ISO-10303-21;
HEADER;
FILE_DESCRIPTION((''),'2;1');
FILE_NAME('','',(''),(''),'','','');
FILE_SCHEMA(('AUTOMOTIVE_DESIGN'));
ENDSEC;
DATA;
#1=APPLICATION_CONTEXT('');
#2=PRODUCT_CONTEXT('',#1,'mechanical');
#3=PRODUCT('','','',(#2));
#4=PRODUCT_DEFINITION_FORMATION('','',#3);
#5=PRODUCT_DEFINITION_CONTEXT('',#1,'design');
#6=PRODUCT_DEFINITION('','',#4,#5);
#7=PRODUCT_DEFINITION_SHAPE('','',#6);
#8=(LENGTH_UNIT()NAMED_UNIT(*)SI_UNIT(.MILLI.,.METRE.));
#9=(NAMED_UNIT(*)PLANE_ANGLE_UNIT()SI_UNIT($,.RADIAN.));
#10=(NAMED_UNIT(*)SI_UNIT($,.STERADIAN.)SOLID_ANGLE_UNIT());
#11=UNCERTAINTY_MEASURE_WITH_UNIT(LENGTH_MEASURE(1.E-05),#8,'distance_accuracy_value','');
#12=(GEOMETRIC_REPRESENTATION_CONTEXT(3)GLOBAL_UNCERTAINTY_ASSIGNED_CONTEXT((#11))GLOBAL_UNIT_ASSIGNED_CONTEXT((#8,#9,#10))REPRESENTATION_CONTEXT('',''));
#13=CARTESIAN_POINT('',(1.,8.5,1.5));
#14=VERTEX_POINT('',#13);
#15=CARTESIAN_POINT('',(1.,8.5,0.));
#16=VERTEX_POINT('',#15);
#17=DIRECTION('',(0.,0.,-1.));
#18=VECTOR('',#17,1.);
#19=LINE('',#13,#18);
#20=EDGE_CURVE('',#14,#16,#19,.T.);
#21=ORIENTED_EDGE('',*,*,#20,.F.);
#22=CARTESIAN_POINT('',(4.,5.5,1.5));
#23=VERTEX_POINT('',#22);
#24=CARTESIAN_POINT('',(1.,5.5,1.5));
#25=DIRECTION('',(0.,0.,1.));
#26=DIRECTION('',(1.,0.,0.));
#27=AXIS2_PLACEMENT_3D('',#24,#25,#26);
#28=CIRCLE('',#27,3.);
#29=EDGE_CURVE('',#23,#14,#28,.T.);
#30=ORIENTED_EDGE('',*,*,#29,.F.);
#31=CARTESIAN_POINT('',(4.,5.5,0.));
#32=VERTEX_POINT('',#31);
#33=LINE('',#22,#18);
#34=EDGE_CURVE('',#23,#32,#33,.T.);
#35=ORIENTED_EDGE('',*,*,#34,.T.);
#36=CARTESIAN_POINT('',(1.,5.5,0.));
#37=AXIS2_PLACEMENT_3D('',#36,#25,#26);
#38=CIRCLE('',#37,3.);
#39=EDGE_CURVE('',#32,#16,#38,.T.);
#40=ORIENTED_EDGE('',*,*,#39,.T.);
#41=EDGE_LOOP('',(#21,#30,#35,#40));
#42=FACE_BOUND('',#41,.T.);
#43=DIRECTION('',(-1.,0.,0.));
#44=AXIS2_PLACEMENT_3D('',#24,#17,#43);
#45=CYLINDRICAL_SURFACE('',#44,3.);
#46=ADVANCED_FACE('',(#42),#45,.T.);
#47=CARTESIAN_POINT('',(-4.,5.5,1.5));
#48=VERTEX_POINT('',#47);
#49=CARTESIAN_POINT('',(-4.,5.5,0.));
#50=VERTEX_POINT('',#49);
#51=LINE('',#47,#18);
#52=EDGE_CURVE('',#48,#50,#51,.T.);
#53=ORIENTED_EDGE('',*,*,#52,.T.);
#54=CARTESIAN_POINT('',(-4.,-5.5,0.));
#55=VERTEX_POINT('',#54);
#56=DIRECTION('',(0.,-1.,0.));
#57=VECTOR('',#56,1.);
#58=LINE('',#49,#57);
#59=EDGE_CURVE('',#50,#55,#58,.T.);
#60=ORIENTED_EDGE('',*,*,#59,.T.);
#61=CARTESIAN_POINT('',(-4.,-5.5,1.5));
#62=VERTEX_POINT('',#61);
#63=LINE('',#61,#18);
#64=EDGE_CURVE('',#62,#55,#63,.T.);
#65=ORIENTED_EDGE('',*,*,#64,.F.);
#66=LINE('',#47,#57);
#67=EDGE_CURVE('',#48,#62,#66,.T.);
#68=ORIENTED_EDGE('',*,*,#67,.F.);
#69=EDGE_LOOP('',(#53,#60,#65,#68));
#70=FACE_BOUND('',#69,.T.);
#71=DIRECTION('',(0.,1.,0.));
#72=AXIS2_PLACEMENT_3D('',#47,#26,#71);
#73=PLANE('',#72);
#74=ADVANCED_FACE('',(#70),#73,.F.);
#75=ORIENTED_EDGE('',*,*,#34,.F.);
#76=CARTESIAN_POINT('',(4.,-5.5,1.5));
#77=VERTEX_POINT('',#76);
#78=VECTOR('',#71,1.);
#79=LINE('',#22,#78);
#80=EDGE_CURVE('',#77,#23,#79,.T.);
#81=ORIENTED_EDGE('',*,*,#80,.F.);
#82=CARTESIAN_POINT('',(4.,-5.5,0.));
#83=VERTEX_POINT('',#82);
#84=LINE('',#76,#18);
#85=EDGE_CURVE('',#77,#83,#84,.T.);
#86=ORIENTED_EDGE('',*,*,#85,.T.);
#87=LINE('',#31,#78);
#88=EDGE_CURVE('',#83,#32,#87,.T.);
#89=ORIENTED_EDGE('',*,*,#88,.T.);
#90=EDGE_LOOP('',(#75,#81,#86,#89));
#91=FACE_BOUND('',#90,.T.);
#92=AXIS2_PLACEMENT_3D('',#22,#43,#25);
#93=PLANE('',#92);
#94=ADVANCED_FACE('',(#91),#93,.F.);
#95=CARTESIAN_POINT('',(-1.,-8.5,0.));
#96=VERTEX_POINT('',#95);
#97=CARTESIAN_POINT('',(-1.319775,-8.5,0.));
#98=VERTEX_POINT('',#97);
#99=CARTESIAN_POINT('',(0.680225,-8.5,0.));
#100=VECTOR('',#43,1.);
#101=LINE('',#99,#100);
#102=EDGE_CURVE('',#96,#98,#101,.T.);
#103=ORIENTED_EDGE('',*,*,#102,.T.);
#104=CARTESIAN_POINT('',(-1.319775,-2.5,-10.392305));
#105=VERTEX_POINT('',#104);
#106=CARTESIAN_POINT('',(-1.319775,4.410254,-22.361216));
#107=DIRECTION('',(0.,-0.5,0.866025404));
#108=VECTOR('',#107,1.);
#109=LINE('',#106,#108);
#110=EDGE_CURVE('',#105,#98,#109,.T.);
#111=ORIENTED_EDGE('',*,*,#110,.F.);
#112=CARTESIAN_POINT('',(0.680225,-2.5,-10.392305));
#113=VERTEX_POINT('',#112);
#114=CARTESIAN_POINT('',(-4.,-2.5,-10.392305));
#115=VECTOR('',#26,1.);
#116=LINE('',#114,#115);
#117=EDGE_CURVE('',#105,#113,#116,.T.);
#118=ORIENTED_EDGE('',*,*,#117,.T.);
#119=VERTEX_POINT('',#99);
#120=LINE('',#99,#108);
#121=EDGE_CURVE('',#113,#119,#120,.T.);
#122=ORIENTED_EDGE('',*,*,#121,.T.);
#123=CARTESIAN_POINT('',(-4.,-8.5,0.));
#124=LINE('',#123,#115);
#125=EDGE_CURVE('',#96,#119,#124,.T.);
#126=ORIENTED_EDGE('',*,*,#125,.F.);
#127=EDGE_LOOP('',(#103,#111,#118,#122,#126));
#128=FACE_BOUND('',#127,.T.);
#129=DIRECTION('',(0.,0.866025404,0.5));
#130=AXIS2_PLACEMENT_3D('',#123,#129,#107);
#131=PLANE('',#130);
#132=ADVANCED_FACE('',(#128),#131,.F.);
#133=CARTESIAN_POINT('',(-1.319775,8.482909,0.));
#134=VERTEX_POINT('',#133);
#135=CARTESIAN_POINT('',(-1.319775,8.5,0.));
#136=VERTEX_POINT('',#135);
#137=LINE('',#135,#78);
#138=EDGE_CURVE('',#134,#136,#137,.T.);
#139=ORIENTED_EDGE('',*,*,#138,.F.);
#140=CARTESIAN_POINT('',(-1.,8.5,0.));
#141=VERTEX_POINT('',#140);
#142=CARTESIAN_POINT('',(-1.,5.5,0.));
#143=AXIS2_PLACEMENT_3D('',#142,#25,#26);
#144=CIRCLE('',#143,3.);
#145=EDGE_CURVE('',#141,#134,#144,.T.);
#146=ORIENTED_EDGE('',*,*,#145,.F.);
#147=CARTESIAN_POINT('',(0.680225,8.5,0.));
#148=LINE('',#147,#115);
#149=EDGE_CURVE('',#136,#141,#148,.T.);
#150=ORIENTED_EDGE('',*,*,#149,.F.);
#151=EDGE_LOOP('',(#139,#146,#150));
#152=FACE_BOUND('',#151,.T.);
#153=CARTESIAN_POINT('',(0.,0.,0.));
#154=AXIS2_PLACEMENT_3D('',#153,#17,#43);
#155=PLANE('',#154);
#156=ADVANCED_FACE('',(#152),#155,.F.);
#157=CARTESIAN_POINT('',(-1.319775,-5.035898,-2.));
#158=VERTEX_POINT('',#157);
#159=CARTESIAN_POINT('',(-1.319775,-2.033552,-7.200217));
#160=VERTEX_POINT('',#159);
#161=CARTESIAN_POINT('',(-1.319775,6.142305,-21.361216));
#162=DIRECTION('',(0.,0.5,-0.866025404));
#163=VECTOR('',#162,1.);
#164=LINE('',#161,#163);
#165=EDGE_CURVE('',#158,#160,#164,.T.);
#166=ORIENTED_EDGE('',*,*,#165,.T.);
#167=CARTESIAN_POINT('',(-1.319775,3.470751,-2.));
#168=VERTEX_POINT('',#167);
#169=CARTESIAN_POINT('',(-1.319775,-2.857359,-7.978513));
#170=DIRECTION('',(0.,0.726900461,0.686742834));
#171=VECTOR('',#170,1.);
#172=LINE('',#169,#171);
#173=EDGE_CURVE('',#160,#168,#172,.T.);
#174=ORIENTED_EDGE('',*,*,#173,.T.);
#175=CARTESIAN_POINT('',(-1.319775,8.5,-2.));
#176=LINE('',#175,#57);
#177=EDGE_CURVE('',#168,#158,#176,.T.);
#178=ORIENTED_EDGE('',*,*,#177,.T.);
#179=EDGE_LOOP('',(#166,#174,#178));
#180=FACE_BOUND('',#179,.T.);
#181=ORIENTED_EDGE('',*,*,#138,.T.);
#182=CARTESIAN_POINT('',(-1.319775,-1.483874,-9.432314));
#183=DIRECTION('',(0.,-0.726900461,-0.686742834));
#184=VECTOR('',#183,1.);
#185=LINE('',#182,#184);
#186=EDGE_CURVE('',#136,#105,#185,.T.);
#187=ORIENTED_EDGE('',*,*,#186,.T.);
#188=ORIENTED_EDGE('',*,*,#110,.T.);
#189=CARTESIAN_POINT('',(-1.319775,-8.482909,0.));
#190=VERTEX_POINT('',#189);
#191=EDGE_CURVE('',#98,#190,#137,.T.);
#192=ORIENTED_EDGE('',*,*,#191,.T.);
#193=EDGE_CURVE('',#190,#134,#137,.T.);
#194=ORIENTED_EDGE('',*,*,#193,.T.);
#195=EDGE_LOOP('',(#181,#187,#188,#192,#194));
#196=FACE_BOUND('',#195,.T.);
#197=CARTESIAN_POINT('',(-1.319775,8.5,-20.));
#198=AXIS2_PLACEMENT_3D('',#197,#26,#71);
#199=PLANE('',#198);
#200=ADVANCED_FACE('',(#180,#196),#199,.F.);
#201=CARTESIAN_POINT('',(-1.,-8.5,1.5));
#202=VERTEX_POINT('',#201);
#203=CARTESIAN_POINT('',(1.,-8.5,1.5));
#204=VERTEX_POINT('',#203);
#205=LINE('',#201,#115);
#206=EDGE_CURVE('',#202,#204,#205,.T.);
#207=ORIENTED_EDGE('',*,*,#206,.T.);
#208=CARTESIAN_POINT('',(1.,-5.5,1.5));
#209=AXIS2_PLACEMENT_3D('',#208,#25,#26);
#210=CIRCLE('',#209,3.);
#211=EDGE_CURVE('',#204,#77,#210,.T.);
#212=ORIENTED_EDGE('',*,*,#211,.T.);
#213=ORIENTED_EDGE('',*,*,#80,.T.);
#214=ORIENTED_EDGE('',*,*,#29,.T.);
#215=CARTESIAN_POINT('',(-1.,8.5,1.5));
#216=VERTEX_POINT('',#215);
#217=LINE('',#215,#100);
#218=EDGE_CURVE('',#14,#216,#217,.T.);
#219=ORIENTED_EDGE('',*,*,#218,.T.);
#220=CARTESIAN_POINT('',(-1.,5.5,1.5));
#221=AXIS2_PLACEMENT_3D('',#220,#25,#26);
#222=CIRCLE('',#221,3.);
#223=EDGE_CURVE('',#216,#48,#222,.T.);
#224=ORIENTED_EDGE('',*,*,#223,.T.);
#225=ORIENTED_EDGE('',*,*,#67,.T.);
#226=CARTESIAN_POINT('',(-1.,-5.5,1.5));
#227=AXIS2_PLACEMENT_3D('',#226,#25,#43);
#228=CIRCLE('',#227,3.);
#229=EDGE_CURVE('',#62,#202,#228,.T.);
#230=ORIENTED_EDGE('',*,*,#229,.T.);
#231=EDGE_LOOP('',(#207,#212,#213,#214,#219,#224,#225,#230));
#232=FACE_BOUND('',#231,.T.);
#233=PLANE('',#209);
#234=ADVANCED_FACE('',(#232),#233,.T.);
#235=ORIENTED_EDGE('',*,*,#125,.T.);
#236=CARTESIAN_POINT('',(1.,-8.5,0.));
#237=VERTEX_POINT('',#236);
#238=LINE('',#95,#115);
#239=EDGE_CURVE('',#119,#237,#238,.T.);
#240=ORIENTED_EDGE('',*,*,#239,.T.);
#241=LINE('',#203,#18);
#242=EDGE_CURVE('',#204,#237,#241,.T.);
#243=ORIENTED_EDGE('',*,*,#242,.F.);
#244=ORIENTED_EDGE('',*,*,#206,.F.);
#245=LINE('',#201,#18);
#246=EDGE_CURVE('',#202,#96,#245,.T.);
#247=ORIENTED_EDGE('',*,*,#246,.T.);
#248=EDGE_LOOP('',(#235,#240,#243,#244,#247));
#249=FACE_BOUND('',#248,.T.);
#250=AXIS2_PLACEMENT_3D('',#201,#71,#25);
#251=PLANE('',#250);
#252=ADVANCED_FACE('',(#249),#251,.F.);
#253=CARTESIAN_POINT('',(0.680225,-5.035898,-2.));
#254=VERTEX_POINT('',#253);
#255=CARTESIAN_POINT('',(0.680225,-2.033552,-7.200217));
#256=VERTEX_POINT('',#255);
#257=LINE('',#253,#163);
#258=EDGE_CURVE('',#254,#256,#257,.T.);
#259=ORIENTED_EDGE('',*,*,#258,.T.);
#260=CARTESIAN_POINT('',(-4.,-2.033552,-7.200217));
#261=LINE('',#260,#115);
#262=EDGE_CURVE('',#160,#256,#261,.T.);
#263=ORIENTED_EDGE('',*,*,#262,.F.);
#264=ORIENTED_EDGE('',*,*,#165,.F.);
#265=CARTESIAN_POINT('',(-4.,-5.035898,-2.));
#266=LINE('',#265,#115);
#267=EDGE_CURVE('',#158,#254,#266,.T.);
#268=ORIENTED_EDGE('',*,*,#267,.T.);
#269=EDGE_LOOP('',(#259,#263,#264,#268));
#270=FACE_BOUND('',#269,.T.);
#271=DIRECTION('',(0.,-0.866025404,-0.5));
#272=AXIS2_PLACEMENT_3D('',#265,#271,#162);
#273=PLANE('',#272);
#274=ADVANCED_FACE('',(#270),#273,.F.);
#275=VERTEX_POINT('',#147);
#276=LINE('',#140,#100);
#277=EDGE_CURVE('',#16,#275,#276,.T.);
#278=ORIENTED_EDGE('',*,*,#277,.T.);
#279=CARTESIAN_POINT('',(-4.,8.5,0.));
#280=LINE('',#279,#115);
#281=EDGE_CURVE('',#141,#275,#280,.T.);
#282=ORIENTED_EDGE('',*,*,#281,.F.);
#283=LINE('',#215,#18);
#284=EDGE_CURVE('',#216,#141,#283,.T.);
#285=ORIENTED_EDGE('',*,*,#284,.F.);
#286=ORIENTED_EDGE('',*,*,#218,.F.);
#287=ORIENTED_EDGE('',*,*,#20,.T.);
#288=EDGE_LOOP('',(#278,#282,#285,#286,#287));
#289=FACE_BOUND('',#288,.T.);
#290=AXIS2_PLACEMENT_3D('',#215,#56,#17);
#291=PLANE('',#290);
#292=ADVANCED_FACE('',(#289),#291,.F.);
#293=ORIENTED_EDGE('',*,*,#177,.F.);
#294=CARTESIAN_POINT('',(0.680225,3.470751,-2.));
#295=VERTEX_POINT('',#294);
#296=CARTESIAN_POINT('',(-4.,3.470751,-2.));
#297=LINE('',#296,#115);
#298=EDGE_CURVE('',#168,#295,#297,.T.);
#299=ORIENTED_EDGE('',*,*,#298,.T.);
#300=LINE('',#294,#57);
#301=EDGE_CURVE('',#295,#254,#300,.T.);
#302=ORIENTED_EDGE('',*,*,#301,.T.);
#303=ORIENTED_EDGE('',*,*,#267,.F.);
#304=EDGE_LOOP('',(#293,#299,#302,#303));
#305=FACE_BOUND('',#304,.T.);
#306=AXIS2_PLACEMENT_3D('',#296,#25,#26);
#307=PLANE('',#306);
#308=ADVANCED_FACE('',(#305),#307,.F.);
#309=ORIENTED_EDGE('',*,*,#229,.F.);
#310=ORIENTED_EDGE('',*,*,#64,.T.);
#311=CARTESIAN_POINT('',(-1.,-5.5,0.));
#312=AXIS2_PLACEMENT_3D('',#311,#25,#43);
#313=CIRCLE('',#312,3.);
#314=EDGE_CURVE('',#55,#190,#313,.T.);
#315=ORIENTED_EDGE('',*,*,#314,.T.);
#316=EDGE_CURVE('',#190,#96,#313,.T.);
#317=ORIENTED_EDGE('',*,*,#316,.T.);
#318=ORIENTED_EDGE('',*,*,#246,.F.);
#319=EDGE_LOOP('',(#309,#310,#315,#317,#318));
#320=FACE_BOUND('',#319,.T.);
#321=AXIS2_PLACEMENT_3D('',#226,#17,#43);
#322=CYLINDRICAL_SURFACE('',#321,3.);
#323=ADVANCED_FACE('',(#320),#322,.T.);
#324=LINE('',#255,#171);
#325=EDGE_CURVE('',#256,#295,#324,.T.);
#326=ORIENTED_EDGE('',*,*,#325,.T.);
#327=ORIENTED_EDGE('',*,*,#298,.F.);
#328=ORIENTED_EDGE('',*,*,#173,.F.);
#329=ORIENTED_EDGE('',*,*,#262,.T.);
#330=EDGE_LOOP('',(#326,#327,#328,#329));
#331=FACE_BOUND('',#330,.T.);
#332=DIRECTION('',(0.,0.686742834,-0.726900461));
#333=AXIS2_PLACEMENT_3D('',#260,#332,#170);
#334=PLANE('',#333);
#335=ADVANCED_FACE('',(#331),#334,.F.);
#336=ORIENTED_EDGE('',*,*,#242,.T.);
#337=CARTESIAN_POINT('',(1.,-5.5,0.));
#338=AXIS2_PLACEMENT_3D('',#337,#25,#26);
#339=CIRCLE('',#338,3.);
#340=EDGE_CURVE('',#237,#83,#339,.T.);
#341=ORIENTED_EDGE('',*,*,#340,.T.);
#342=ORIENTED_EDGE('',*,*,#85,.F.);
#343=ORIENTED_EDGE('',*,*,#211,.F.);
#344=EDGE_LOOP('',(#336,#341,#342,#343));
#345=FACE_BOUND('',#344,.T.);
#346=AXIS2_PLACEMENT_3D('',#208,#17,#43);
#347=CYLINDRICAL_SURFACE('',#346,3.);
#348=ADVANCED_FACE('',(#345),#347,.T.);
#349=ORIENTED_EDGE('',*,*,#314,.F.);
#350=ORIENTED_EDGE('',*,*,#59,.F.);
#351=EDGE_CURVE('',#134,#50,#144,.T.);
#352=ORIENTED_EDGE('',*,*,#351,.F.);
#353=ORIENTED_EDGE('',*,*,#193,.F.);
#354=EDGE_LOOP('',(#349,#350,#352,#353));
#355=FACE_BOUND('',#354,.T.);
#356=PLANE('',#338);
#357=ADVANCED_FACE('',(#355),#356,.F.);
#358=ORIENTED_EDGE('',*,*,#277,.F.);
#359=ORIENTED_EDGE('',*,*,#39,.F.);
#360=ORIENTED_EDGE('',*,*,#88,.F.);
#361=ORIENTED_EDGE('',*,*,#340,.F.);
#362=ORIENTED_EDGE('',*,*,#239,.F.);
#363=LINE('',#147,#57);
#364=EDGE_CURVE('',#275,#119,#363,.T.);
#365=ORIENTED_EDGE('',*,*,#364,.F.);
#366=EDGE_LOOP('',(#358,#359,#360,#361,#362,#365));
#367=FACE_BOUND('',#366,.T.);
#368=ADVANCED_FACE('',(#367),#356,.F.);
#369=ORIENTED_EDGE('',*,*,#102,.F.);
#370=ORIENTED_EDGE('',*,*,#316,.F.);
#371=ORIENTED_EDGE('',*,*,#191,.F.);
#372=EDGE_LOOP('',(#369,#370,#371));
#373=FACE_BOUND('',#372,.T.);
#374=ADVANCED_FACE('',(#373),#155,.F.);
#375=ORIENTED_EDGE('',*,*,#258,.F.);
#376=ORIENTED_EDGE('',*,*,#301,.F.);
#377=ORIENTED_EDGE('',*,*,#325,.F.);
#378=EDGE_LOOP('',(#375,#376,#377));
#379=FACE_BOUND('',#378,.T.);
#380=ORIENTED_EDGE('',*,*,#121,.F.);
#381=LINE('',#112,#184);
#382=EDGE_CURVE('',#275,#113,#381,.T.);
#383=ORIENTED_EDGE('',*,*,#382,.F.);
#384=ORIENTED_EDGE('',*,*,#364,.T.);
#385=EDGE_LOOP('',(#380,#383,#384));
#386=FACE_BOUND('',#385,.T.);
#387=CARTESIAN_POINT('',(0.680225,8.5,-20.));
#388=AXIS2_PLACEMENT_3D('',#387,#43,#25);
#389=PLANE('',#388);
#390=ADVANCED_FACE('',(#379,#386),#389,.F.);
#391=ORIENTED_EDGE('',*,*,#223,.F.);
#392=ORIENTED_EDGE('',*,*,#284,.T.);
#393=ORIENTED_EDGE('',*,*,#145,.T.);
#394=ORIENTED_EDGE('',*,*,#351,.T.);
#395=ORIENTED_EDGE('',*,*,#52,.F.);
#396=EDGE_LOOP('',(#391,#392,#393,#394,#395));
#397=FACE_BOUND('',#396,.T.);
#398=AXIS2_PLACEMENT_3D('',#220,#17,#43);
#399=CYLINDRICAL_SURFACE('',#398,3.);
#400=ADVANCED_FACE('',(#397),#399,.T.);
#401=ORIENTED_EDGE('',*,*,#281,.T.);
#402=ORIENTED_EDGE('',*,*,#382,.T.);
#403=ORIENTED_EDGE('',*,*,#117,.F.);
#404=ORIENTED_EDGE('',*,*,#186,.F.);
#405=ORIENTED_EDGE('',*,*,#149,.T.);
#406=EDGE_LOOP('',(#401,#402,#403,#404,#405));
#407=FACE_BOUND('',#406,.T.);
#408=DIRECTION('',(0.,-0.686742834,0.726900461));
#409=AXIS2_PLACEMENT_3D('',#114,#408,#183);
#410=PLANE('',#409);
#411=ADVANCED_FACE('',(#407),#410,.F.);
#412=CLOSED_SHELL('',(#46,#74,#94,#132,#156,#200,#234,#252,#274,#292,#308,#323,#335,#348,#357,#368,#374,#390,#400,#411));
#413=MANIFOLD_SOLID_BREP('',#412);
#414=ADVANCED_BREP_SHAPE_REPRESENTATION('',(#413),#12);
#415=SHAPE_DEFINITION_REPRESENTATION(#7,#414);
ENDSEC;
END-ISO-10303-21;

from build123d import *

# Parameters (mm, degrees)
BOSS_EXTRUDE1_DEPTH = 1.5
SKETCH3_W           = 2
SKETCH3_H           = 17
BOSS_EXTRUDE2_DEPTH = 20
CUT_EXTRUDE1_DEPTH  = 5.680224753
CUT_EXTRUDE2_DEPTH  = 5.680224753


with BuildPart() as part:
    # Sketch1 → Boss-Extrude1 (new body)
    with BuildSketch(Plane.XY):
        with BuildLine():
            Line((-1, 8.5), (1, 8.5))
            ThreePointArc((1, 8.5), (3.121320344, 7.621320344), (4, 5.5))
            Line((4, 5.5), (4, -5.5))
            ThreePointArc((4, -5.5), (3.121320344, -7.621320344), (1, -8.5))
            Line((1, -8.5), (-1, -8.5))
            ThreePointArc((-1, -8.5), (-3.121320344, -7.621320344), (-4, -5.5))
            Line((-4, -5.5), (-4, 5.5))
            ThreePointArc((-4, 5.5), (-3.121320344, 7.621320344), (-1, 8.5))
        make_face()
    extrude(amount=BOSS_EXTRUDE1_DEPTH)

    # Sketch3 → Boss-Extrude2 (add)
    with BuildSketch(Plane(origin=(0, 0, 0), x_dir=(-1, 0, 0), z_dir=(0, 0, -1))):
        with Locations((0.319775247, 0)):
            Rectangle(SKETCH3_W, SKETCH3_H)
    extrude(amount=BOSS_EXTRUDE2_DEPTH)

    # Sketch4 → Cut-Extrude1 (cut, through all)
    with BuildSketch(Plane(origin=(0.680224753, 0, 0), x_dir=(0, 0, -1), z_dir=(1, 0, 0))):
        Polygon((0, -8.5), (10.392304845, -2.5), (0, 8.5), (20, 8.5), (20, -8.5), align=None)
    extrude(amount=-CUT_EXTRUDE1_DEPTH, mode=Mode.SUBTRACT)

    # Sketch5 → Cut-Extrude2 (cut, through all)
    with BuildSketch(Plane(origin=(0.680224753, 0, 0), x_dir=(0, 0, -1), z_dir=(1, 0, 0))):
        Polygon((2, 3.470750697), (2, -5.035898385), (7.200217087, -2.03355165), align=None)
    extrude(amount=-CUT_EXTRUDE2_DEPTH, mode=Mode.SUBTRACT)


solid = part.part
